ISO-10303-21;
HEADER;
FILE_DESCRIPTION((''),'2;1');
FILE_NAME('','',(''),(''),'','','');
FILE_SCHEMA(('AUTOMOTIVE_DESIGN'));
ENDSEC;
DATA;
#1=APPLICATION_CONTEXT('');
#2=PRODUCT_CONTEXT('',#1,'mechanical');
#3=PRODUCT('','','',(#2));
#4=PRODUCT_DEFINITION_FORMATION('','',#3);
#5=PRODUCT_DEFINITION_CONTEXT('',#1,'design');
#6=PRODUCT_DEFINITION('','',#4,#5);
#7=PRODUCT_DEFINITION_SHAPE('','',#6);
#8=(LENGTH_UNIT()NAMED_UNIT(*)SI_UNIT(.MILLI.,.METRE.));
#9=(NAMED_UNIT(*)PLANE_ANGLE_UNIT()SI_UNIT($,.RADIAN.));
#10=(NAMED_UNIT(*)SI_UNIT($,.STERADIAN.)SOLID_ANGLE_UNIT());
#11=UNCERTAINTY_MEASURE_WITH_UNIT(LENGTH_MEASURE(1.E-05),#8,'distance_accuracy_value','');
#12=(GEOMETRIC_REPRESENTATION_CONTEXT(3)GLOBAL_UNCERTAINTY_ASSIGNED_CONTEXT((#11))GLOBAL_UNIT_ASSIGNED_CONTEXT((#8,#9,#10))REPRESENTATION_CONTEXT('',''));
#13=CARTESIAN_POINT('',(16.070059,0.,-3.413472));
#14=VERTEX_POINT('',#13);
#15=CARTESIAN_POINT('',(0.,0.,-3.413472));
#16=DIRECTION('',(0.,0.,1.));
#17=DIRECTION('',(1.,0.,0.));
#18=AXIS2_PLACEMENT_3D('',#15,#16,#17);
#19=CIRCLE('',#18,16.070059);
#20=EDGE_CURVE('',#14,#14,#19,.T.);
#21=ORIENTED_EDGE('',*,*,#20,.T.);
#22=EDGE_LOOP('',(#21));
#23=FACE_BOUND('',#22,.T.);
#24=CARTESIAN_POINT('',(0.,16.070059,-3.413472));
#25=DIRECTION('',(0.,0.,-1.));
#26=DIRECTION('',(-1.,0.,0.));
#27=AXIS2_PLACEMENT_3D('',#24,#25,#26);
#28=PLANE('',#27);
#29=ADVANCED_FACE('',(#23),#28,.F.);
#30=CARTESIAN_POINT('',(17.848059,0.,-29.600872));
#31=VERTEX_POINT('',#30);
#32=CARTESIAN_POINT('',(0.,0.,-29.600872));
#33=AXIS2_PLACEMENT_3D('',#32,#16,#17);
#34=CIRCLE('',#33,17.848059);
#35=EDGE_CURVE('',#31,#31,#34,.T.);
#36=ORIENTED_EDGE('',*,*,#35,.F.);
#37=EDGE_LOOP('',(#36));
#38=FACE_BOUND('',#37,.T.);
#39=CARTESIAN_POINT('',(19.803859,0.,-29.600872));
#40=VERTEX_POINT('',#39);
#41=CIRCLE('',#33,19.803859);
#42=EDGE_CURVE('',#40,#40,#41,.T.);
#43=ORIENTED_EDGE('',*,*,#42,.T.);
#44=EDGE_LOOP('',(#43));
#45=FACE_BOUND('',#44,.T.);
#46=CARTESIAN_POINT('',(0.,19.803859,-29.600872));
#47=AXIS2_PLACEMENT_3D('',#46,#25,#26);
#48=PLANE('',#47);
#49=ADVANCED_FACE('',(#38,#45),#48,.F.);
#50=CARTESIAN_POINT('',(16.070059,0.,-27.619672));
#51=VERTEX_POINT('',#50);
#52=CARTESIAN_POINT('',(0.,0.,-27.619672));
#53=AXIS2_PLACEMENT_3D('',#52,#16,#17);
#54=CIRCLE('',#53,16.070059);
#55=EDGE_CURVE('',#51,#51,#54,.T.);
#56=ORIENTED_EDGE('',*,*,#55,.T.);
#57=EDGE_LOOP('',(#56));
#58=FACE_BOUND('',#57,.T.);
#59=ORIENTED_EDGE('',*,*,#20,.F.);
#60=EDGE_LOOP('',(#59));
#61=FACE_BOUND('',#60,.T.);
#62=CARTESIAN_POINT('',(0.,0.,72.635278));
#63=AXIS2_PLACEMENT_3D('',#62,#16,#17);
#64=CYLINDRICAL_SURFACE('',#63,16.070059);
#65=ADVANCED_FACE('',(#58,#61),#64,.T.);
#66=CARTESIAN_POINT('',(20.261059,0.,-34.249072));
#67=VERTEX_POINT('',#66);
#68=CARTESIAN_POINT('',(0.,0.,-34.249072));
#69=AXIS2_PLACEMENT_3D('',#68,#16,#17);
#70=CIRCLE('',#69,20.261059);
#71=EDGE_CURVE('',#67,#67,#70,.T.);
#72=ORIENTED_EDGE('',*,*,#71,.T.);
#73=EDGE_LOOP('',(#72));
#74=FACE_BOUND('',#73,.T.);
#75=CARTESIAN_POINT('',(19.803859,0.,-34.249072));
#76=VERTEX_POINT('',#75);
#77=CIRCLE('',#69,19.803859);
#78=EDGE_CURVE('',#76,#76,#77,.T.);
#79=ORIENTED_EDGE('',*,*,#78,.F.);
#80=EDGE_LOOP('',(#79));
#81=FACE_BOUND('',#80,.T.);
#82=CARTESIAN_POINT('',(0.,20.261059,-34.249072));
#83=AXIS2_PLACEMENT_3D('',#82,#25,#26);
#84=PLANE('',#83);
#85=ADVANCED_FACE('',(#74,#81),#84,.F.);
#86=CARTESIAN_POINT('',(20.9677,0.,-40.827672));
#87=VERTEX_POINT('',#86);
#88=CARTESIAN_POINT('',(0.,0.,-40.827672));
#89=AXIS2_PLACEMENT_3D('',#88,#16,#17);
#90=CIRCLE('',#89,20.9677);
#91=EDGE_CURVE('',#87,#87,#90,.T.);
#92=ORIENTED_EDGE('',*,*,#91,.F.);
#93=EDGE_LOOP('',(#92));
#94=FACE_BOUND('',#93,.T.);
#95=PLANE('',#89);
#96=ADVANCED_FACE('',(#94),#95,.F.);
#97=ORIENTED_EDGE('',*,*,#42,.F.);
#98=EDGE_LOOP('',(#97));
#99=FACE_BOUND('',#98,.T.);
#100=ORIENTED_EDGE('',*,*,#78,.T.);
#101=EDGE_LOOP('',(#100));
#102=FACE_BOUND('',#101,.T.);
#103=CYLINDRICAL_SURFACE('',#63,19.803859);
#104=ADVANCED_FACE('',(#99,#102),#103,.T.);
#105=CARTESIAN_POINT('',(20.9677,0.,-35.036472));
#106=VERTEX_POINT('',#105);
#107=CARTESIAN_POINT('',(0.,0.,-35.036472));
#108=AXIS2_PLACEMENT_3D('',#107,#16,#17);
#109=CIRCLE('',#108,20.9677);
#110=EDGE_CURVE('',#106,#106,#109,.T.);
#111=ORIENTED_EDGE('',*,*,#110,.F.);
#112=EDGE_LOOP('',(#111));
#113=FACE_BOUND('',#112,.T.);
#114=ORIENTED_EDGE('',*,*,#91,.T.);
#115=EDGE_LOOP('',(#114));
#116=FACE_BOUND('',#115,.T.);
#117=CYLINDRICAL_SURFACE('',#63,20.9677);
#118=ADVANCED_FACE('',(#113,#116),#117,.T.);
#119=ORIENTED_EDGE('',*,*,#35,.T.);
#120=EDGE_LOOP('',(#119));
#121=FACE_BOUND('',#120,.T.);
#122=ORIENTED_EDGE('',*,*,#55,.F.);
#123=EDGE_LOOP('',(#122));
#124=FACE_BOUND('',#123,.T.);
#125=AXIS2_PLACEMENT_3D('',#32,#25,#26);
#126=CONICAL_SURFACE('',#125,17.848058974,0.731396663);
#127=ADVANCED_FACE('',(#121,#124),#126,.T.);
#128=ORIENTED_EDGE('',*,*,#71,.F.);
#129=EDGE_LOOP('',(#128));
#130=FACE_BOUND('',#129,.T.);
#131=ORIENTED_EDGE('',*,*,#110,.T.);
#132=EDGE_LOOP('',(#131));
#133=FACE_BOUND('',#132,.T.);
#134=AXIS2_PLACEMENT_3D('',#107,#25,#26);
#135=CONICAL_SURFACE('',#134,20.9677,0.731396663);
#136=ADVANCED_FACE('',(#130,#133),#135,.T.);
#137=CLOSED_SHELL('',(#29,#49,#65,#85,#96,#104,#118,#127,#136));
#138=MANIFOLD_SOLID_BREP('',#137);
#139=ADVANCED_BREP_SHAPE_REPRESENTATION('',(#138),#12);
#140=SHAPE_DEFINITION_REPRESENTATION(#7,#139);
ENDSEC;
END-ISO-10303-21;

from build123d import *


with BuildPart() as part:
    # Sketch3 → Revolve1 (revolve)
    with BuildSketch(Plane(origin=(0, 0, 0), x_dir=(0, 0, -1), z_dir=(1, 0, 0)), mode=Mode.PRIVATE) as revolve1_sk:
        Polygon((40.827672453, 0), (40.827672453, 20.9677), (35.036472453, 20.9677), (34.249072453, 20.261058974), (34.249072453, 19.803858974), (29.600872453, 19.803858974), (29.600872453, 17.848058974), (27.619672453, 16.070058974), (3.413472453, 16.070058974), (3.413472453, 0), align=None)
    revolve(revolve1_sk.sketch.rotate(Axis((0, 0, 72.635277736), (0, 0, -1)), 90), axis=Axis((0, 0, 72.635277736), (0, 0, -1)))


solid = part.part
